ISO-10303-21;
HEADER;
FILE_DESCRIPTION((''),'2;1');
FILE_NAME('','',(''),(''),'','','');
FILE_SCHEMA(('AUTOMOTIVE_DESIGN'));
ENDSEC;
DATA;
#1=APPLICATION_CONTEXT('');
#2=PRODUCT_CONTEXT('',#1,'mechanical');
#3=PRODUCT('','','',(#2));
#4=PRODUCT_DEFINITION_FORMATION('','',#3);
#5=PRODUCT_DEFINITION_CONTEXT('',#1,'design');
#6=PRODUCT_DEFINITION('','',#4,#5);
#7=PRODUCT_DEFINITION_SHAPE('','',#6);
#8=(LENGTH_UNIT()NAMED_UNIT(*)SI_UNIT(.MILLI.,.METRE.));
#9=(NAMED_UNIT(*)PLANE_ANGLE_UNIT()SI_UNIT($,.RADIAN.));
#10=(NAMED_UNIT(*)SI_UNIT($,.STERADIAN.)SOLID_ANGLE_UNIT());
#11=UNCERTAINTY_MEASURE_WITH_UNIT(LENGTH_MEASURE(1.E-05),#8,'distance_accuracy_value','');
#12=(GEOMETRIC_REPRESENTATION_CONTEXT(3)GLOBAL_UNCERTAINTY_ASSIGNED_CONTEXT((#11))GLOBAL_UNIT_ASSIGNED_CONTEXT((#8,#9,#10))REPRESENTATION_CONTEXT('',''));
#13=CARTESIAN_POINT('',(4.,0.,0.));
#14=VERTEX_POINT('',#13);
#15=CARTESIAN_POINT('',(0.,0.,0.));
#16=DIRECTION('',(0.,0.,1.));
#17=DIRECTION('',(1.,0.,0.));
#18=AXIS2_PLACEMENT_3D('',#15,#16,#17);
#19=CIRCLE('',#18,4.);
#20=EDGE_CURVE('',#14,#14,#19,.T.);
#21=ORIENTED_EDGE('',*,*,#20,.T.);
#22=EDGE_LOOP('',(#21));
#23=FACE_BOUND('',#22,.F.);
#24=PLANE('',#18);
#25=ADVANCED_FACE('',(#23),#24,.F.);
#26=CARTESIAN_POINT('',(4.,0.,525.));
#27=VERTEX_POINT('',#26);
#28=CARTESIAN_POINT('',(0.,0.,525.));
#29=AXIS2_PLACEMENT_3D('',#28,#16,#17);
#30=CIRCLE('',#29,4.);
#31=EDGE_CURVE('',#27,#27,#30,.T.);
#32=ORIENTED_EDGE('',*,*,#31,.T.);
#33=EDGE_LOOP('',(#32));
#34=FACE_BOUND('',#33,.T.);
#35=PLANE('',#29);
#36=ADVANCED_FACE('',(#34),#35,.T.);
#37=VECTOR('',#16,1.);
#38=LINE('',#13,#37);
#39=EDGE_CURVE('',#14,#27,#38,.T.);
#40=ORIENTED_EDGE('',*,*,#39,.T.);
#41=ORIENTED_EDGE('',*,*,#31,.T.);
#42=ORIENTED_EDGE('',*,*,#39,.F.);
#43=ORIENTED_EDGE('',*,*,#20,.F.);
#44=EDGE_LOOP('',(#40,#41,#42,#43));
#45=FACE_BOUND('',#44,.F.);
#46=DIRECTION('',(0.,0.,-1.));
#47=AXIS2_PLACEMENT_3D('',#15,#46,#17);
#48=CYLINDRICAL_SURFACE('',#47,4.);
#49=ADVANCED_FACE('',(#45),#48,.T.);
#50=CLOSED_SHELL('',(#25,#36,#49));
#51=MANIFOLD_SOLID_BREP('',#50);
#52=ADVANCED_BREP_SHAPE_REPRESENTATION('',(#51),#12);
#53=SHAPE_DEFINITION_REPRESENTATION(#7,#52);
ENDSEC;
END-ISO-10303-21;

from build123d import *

# Parameters (mm, degrees)
CYLINDER_R     = 4
CYLINDER_DEPTH = 525


with BuildPart() as part:
    # Cylinder → Cylinder (new body)
    with BuildSketch(Plane.XY):
        Circle(CYLINDER_R)
    extrude(amount=CYLINDER_DEPTH)


solid = part.part
